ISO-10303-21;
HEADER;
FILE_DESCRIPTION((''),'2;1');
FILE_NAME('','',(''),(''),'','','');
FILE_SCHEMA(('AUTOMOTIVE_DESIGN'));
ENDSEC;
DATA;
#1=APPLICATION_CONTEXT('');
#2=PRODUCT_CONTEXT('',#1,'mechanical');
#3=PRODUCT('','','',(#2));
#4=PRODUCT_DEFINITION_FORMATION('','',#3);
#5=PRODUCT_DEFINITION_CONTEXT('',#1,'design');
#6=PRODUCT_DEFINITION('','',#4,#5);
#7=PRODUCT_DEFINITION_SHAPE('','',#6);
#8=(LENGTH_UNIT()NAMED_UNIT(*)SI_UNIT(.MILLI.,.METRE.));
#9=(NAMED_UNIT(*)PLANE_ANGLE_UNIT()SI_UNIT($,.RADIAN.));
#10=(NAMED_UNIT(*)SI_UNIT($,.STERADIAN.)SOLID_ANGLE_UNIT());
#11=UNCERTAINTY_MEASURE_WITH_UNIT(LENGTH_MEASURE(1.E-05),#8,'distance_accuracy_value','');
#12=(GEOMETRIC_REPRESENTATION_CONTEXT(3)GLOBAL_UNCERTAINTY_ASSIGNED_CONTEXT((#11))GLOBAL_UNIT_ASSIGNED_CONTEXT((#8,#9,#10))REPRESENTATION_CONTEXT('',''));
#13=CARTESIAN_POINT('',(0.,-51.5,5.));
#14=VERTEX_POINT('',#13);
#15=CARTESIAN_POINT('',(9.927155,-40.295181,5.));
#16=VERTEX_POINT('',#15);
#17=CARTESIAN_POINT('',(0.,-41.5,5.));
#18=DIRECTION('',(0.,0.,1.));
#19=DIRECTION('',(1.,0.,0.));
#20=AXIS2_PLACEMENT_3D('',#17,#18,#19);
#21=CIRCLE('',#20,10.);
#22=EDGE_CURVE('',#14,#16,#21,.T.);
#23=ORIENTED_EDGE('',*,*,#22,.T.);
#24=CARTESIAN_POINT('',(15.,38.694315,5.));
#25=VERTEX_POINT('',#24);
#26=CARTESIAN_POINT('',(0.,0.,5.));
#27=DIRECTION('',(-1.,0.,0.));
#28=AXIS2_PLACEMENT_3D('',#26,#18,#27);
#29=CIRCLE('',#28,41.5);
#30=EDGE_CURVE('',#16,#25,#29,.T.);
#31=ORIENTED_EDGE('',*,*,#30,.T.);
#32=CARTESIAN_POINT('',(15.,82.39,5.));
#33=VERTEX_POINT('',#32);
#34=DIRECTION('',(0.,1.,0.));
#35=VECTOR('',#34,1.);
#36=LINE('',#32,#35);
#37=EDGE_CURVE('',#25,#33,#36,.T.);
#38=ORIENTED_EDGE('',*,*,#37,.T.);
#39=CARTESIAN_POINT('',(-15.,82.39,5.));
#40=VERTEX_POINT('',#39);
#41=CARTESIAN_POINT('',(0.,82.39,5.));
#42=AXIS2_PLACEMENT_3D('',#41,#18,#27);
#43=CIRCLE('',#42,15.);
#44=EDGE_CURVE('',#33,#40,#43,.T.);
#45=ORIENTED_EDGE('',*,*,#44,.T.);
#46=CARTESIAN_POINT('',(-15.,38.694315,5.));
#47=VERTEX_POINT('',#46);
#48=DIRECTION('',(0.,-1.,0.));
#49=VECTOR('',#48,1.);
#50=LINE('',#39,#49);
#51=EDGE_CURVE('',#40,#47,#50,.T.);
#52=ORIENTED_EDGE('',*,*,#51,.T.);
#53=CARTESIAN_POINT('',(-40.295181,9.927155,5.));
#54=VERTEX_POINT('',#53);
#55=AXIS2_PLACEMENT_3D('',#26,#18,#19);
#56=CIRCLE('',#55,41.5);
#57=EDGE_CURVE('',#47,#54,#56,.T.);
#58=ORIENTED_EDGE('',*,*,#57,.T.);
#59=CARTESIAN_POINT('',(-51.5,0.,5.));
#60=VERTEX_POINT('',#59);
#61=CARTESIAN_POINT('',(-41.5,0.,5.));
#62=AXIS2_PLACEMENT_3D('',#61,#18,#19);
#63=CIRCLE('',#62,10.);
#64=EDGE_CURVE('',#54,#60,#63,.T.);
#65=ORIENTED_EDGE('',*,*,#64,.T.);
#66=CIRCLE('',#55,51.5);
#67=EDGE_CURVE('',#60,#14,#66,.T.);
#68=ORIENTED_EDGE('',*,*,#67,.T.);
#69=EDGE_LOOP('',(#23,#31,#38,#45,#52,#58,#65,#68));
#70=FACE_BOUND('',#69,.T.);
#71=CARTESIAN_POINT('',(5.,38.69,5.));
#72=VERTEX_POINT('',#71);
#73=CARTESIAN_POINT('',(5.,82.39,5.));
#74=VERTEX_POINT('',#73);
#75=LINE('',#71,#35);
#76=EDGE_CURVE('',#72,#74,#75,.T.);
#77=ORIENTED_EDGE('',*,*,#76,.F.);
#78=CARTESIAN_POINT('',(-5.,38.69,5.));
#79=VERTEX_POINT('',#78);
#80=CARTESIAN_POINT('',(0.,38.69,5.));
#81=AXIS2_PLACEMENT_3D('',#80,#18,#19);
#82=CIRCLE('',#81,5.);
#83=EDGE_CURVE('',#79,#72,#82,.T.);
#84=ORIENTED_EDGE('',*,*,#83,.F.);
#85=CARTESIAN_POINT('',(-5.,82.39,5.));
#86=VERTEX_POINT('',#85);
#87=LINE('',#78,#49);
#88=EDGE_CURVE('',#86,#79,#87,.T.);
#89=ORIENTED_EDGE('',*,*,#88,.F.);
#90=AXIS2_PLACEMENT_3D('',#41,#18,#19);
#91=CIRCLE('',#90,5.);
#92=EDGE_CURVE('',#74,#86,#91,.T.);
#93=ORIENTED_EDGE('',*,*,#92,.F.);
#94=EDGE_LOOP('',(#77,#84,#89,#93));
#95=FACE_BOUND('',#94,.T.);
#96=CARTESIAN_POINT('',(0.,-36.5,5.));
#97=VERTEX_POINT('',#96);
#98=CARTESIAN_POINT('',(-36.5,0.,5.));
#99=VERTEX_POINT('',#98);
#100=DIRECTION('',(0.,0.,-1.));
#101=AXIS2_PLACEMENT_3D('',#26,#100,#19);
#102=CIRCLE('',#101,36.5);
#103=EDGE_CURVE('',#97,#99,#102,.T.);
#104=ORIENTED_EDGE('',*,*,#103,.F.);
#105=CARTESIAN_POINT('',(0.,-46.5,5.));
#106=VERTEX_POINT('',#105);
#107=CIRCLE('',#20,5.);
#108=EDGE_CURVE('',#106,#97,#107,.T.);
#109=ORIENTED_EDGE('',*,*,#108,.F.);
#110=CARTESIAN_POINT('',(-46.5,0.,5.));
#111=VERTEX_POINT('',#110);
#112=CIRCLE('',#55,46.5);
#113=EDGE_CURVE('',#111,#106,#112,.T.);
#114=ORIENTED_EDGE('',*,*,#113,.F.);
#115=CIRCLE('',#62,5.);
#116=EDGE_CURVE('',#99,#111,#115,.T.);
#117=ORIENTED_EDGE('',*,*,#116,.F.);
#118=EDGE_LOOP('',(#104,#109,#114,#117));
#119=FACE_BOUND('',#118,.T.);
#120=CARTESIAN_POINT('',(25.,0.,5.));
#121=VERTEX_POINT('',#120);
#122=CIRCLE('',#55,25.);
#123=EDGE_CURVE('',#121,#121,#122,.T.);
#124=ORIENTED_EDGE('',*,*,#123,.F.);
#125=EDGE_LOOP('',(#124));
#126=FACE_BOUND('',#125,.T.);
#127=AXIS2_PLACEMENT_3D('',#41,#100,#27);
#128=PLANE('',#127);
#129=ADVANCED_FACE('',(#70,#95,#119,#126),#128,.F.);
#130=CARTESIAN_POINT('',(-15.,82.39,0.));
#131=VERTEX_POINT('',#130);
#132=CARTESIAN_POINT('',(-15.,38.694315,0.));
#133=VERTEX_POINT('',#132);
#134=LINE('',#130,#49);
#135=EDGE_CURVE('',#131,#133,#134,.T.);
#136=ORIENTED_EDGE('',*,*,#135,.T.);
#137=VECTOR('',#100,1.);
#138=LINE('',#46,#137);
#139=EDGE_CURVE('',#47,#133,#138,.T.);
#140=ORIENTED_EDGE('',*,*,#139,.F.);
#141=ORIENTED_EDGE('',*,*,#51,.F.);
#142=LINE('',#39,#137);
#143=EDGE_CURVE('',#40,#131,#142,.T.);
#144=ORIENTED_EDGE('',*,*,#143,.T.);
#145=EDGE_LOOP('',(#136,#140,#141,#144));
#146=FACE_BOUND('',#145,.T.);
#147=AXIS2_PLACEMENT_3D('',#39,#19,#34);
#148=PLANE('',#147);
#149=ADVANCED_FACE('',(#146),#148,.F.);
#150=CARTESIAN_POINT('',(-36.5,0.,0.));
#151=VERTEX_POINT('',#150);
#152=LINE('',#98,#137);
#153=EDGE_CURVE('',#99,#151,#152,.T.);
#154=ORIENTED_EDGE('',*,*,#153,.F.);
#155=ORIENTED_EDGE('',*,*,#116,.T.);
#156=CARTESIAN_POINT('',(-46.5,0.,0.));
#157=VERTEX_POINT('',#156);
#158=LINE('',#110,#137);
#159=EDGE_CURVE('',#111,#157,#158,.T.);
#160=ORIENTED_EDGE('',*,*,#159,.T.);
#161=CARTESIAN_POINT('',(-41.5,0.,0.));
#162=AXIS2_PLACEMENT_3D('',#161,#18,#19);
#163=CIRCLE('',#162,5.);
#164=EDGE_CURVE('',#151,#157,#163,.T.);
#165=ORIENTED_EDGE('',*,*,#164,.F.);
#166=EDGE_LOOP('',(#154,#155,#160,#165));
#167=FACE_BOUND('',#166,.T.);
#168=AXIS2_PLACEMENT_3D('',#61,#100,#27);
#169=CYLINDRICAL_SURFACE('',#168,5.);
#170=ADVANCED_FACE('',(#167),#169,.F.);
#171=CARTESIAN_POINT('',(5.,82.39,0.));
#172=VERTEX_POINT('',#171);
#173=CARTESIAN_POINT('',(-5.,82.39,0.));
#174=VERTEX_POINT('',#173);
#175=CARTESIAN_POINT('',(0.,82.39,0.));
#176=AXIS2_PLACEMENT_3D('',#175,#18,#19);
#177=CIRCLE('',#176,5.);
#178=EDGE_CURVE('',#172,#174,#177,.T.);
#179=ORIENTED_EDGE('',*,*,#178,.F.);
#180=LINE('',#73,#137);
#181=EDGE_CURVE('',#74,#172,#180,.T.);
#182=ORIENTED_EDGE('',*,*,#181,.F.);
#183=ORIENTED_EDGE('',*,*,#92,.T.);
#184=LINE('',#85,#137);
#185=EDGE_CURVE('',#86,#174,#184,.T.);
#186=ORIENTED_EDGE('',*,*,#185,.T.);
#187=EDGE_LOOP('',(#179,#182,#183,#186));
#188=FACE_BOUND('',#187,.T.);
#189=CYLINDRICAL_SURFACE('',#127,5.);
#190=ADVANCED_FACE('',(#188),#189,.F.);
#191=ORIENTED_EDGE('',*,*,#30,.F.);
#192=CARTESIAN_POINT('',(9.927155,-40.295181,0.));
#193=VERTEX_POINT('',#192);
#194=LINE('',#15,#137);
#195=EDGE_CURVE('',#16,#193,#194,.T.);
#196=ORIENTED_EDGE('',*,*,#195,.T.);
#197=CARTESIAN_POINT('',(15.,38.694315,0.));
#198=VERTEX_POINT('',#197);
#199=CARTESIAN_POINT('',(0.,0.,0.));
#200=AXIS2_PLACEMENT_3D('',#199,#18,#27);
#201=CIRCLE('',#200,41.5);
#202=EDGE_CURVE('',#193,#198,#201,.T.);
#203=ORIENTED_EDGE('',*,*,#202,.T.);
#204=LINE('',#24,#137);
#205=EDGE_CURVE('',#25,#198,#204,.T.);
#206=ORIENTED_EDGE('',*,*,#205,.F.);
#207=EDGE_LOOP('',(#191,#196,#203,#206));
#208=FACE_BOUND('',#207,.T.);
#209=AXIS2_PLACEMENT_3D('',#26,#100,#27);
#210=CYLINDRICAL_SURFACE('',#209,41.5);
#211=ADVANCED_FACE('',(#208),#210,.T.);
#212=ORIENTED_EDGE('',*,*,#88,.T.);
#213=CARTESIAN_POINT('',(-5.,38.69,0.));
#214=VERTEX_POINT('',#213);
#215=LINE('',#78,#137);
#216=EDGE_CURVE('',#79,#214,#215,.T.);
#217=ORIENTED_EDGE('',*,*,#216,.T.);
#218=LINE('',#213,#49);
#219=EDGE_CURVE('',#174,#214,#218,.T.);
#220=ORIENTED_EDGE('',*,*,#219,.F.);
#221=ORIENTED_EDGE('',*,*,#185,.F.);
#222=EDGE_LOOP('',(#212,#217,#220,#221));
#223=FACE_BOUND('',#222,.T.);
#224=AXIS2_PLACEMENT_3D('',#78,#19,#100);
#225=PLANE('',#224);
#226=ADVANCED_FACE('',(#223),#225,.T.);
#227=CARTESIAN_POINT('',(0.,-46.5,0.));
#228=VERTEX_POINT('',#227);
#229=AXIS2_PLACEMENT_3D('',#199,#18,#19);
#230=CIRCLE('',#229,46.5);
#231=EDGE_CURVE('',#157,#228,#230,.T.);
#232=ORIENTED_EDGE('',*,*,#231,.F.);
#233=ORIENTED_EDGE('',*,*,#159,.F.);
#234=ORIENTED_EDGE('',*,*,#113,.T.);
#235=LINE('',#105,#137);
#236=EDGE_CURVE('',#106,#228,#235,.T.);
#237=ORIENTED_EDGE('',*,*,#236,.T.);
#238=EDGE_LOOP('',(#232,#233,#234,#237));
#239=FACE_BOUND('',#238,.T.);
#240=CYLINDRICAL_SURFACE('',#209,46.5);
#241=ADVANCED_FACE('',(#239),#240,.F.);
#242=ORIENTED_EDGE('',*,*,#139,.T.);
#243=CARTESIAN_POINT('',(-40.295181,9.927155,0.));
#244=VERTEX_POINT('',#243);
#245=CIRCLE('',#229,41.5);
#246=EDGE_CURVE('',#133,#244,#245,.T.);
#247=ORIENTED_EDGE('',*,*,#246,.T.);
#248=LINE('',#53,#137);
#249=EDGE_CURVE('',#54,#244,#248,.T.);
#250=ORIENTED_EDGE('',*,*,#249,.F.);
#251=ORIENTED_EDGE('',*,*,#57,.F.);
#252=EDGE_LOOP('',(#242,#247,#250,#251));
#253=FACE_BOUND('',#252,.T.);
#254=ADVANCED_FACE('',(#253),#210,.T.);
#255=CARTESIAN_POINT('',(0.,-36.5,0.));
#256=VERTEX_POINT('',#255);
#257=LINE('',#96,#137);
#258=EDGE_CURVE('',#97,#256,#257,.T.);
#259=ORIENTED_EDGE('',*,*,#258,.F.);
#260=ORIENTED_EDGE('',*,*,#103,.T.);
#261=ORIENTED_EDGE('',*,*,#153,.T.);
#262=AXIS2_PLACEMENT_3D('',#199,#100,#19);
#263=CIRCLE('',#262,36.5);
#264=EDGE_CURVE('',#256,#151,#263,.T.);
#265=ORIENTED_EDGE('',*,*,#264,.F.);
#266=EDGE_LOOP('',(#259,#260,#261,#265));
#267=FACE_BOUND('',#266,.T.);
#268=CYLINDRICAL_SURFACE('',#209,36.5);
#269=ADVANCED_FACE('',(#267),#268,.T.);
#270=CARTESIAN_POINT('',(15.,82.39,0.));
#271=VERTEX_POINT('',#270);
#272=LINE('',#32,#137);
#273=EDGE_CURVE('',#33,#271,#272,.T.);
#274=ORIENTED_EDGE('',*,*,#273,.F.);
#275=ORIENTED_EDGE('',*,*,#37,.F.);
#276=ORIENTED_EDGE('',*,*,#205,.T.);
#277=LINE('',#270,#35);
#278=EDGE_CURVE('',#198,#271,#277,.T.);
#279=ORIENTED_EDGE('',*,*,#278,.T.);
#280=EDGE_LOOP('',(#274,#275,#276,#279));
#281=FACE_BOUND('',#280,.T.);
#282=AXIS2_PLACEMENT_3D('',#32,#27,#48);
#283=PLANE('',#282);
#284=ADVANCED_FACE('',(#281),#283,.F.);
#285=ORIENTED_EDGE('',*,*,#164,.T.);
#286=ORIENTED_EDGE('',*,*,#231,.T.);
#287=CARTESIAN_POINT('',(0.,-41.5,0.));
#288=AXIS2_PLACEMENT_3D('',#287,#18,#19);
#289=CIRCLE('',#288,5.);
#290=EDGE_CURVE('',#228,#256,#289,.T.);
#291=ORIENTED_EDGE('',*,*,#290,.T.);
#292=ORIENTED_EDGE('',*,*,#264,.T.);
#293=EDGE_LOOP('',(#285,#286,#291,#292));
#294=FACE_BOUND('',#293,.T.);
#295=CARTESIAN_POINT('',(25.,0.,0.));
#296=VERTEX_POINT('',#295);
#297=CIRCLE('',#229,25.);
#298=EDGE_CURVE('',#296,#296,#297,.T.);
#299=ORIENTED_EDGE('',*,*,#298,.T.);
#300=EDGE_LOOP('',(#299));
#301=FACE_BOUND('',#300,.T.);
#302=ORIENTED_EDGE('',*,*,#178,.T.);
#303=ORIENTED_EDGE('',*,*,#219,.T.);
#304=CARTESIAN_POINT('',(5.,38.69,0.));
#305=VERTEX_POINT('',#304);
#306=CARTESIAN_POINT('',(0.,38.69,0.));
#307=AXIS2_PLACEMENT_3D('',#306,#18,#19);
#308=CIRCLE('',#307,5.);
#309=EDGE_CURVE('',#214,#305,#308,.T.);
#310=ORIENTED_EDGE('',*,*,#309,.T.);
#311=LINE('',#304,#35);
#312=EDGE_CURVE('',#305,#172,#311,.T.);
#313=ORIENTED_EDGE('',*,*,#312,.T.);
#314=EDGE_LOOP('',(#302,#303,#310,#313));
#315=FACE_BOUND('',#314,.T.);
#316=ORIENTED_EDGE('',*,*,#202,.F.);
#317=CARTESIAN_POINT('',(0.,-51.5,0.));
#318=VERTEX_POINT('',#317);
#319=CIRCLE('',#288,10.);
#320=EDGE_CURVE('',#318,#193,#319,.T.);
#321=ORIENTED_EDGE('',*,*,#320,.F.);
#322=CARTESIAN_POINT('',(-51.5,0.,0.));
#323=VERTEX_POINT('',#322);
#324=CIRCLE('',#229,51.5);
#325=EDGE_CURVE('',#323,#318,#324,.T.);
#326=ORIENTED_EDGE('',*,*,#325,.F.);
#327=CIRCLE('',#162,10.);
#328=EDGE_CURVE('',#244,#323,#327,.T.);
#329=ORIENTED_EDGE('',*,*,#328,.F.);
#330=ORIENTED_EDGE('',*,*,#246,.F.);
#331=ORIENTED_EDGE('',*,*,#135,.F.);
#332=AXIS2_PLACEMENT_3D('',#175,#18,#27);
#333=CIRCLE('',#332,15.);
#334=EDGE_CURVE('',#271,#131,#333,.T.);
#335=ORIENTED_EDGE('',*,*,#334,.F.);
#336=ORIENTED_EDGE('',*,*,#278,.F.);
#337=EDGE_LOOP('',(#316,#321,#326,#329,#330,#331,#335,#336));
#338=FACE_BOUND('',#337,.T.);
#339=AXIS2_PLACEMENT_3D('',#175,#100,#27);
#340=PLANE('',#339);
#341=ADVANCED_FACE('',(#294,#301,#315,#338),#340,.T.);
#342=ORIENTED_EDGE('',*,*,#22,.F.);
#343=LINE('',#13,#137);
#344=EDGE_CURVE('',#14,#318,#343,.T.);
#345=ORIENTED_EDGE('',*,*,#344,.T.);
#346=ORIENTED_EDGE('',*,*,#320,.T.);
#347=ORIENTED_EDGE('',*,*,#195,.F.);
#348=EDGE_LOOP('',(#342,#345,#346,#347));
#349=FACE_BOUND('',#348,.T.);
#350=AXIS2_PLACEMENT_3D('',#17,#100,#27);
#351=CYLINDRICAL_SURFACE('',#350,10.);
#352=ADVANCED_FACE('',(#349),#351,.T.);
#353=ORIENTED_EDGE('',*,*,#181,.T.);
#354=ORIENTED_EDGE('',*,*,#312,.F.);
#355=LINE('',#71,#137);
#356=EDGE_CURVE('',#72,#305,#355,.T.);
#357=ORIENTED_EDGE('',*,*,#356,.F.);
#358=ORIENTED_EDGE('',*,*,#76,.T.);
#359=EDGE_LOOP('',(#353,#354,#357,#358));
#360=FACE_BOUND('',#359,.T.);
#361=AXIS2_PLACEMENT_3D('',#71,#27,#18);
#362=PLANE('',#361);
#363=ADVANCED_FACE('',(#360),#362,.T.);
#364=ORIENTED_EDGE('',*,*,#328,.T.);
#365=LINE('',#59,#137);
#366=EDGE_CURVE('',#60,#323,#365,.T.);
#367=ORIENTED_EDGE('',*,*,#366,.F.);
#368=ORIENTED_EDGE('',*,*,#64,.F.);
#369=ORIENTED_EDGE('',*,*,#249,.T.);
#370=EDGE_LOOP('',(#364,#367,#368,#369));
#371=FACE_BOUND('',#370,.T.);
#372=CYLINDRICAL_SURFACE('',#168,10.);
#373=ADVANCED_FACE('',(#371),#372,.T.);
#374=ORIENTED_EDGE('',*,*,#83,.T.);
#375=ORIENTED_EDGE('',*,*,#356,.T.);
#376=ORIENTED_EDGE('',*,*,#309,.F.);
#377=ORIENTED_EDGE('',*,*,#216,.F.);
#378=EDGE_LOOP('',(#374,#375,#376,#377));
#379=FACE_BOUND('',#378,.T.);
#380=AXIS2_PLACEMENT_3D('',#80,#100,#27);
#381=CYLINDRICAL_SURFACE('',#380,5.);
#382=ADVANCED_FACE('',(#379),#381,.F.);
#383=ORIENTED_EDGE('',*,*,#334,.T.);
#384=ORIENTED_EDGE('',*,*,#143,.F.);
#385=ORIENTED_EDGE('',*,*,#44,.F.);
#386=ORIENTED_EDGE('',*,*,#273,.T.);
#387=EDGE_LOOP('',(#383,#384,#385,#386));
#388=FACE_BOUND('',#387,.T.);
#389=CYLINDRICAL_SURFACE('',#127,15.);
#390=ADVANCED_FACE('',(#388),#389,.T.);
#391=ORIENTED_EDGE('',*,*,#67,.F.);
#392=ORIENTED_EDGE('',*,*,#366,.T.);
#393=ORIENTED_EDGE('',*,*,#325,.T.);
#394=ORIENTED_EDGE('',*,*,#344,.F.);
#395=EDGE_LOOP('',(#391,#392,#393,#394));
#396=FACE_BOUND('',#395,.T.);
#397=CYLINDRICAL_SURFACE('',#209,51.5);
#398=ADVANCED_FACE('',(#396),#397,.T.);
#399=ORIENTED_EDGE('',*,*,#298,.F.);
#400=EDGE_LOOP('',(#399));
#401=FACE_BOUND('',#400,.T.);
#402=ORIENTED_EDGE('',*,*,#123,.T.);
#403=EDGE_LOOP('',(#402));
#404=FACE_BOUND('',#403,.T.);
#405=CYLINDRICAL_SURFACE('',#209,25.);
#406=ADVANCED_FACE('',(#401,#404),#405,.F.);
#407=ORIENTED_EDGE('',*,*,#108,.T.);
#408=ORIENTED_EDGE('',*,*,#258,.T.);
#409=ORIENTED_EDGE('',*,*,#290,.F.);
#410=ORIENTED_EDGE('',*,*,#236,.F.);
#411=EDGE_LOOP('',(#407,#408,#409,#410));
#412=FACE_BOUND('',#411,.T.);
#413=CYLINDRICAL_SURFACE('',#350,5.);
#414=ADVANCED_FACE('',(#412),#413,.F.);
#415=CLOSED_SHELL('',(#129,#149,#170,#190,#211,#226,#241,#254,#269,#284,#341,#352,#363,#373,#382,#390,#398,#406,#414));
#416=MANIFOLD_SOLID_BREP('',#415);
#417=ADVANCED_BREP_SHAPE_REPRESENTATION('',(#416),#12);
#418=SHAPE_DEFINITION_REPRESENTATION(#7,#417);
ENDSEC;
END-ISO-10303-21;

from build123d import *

# Parameters (mm, degrees)
SKETCH2_R           = 25
BOSS_EXTRUDE1_DEPTH = 5


with BuildPart() as part:
    # Sketch2 → Boss-Extrude1 (new body)
    with BuildSketch(Plane.XY):
        with BuildLine():
            Line((15, 82.39), (15, 38.694314828))
            ThreePointArc((15, 38.694314828), (41.414681799, -2.659723947), (9.927155207, -40.295180723))
            ThreePointArc((9.927155207, -40.295180723), (7.484924608, -48.131432999), (0, -51.5))
            ThreePointArc((0, -51.5), (-36.415999231, -36.415999231), (-51.5, 0))
            ThreePointArc((-51.5, 0), (-48.131432999, 7.484924608), (-40.295180723, 9.927155207))
            ThreePointArc((-40.295180723, 9.927155207), (-31.16531118, 27.403893502), (-15, 38.694314828))
            Line((-15, 38.694314828), (-15, 82.39))
            ThreePointArc((-15, 82.39), (0, 97.39), (15, 82.39))
        make_face()
        Circle(SKETCH2_R, mode=Mode.SUBTRACT)
        with BuildLine():
            Line((-5, 38.69), (-5, 82.39))
            ThreePointArc((-5, 82.39), (0, 87.39), (5, 82.39))
            Line((5, 82.39), (5, 38.69))
            ThreePointArc((5, 38.69), (0, 33.69), (-5, 38.69))
        make_face(mode=Mode.SUBTRACT)
        with BuildLine():
            ThreePointArc((-46.5, 0), (-32.880465325, -32.880465325), (0, -46.5))
            ThreePointArc((0, -46.5), (5, -41.5), (0, -36.5))
            ThreePointArc((0, -36.5), (-25.809397513, -25.809397513), (-36.5, 0))
            ThreePointArc((-36.5, 0), (-41.5, 5), (-46.5, 0))
        make_face(mode=Mode.SUBTRACT)
    extrude(amount=BOSS_EXTRUDE1_DEPTH)


solid = part.part
